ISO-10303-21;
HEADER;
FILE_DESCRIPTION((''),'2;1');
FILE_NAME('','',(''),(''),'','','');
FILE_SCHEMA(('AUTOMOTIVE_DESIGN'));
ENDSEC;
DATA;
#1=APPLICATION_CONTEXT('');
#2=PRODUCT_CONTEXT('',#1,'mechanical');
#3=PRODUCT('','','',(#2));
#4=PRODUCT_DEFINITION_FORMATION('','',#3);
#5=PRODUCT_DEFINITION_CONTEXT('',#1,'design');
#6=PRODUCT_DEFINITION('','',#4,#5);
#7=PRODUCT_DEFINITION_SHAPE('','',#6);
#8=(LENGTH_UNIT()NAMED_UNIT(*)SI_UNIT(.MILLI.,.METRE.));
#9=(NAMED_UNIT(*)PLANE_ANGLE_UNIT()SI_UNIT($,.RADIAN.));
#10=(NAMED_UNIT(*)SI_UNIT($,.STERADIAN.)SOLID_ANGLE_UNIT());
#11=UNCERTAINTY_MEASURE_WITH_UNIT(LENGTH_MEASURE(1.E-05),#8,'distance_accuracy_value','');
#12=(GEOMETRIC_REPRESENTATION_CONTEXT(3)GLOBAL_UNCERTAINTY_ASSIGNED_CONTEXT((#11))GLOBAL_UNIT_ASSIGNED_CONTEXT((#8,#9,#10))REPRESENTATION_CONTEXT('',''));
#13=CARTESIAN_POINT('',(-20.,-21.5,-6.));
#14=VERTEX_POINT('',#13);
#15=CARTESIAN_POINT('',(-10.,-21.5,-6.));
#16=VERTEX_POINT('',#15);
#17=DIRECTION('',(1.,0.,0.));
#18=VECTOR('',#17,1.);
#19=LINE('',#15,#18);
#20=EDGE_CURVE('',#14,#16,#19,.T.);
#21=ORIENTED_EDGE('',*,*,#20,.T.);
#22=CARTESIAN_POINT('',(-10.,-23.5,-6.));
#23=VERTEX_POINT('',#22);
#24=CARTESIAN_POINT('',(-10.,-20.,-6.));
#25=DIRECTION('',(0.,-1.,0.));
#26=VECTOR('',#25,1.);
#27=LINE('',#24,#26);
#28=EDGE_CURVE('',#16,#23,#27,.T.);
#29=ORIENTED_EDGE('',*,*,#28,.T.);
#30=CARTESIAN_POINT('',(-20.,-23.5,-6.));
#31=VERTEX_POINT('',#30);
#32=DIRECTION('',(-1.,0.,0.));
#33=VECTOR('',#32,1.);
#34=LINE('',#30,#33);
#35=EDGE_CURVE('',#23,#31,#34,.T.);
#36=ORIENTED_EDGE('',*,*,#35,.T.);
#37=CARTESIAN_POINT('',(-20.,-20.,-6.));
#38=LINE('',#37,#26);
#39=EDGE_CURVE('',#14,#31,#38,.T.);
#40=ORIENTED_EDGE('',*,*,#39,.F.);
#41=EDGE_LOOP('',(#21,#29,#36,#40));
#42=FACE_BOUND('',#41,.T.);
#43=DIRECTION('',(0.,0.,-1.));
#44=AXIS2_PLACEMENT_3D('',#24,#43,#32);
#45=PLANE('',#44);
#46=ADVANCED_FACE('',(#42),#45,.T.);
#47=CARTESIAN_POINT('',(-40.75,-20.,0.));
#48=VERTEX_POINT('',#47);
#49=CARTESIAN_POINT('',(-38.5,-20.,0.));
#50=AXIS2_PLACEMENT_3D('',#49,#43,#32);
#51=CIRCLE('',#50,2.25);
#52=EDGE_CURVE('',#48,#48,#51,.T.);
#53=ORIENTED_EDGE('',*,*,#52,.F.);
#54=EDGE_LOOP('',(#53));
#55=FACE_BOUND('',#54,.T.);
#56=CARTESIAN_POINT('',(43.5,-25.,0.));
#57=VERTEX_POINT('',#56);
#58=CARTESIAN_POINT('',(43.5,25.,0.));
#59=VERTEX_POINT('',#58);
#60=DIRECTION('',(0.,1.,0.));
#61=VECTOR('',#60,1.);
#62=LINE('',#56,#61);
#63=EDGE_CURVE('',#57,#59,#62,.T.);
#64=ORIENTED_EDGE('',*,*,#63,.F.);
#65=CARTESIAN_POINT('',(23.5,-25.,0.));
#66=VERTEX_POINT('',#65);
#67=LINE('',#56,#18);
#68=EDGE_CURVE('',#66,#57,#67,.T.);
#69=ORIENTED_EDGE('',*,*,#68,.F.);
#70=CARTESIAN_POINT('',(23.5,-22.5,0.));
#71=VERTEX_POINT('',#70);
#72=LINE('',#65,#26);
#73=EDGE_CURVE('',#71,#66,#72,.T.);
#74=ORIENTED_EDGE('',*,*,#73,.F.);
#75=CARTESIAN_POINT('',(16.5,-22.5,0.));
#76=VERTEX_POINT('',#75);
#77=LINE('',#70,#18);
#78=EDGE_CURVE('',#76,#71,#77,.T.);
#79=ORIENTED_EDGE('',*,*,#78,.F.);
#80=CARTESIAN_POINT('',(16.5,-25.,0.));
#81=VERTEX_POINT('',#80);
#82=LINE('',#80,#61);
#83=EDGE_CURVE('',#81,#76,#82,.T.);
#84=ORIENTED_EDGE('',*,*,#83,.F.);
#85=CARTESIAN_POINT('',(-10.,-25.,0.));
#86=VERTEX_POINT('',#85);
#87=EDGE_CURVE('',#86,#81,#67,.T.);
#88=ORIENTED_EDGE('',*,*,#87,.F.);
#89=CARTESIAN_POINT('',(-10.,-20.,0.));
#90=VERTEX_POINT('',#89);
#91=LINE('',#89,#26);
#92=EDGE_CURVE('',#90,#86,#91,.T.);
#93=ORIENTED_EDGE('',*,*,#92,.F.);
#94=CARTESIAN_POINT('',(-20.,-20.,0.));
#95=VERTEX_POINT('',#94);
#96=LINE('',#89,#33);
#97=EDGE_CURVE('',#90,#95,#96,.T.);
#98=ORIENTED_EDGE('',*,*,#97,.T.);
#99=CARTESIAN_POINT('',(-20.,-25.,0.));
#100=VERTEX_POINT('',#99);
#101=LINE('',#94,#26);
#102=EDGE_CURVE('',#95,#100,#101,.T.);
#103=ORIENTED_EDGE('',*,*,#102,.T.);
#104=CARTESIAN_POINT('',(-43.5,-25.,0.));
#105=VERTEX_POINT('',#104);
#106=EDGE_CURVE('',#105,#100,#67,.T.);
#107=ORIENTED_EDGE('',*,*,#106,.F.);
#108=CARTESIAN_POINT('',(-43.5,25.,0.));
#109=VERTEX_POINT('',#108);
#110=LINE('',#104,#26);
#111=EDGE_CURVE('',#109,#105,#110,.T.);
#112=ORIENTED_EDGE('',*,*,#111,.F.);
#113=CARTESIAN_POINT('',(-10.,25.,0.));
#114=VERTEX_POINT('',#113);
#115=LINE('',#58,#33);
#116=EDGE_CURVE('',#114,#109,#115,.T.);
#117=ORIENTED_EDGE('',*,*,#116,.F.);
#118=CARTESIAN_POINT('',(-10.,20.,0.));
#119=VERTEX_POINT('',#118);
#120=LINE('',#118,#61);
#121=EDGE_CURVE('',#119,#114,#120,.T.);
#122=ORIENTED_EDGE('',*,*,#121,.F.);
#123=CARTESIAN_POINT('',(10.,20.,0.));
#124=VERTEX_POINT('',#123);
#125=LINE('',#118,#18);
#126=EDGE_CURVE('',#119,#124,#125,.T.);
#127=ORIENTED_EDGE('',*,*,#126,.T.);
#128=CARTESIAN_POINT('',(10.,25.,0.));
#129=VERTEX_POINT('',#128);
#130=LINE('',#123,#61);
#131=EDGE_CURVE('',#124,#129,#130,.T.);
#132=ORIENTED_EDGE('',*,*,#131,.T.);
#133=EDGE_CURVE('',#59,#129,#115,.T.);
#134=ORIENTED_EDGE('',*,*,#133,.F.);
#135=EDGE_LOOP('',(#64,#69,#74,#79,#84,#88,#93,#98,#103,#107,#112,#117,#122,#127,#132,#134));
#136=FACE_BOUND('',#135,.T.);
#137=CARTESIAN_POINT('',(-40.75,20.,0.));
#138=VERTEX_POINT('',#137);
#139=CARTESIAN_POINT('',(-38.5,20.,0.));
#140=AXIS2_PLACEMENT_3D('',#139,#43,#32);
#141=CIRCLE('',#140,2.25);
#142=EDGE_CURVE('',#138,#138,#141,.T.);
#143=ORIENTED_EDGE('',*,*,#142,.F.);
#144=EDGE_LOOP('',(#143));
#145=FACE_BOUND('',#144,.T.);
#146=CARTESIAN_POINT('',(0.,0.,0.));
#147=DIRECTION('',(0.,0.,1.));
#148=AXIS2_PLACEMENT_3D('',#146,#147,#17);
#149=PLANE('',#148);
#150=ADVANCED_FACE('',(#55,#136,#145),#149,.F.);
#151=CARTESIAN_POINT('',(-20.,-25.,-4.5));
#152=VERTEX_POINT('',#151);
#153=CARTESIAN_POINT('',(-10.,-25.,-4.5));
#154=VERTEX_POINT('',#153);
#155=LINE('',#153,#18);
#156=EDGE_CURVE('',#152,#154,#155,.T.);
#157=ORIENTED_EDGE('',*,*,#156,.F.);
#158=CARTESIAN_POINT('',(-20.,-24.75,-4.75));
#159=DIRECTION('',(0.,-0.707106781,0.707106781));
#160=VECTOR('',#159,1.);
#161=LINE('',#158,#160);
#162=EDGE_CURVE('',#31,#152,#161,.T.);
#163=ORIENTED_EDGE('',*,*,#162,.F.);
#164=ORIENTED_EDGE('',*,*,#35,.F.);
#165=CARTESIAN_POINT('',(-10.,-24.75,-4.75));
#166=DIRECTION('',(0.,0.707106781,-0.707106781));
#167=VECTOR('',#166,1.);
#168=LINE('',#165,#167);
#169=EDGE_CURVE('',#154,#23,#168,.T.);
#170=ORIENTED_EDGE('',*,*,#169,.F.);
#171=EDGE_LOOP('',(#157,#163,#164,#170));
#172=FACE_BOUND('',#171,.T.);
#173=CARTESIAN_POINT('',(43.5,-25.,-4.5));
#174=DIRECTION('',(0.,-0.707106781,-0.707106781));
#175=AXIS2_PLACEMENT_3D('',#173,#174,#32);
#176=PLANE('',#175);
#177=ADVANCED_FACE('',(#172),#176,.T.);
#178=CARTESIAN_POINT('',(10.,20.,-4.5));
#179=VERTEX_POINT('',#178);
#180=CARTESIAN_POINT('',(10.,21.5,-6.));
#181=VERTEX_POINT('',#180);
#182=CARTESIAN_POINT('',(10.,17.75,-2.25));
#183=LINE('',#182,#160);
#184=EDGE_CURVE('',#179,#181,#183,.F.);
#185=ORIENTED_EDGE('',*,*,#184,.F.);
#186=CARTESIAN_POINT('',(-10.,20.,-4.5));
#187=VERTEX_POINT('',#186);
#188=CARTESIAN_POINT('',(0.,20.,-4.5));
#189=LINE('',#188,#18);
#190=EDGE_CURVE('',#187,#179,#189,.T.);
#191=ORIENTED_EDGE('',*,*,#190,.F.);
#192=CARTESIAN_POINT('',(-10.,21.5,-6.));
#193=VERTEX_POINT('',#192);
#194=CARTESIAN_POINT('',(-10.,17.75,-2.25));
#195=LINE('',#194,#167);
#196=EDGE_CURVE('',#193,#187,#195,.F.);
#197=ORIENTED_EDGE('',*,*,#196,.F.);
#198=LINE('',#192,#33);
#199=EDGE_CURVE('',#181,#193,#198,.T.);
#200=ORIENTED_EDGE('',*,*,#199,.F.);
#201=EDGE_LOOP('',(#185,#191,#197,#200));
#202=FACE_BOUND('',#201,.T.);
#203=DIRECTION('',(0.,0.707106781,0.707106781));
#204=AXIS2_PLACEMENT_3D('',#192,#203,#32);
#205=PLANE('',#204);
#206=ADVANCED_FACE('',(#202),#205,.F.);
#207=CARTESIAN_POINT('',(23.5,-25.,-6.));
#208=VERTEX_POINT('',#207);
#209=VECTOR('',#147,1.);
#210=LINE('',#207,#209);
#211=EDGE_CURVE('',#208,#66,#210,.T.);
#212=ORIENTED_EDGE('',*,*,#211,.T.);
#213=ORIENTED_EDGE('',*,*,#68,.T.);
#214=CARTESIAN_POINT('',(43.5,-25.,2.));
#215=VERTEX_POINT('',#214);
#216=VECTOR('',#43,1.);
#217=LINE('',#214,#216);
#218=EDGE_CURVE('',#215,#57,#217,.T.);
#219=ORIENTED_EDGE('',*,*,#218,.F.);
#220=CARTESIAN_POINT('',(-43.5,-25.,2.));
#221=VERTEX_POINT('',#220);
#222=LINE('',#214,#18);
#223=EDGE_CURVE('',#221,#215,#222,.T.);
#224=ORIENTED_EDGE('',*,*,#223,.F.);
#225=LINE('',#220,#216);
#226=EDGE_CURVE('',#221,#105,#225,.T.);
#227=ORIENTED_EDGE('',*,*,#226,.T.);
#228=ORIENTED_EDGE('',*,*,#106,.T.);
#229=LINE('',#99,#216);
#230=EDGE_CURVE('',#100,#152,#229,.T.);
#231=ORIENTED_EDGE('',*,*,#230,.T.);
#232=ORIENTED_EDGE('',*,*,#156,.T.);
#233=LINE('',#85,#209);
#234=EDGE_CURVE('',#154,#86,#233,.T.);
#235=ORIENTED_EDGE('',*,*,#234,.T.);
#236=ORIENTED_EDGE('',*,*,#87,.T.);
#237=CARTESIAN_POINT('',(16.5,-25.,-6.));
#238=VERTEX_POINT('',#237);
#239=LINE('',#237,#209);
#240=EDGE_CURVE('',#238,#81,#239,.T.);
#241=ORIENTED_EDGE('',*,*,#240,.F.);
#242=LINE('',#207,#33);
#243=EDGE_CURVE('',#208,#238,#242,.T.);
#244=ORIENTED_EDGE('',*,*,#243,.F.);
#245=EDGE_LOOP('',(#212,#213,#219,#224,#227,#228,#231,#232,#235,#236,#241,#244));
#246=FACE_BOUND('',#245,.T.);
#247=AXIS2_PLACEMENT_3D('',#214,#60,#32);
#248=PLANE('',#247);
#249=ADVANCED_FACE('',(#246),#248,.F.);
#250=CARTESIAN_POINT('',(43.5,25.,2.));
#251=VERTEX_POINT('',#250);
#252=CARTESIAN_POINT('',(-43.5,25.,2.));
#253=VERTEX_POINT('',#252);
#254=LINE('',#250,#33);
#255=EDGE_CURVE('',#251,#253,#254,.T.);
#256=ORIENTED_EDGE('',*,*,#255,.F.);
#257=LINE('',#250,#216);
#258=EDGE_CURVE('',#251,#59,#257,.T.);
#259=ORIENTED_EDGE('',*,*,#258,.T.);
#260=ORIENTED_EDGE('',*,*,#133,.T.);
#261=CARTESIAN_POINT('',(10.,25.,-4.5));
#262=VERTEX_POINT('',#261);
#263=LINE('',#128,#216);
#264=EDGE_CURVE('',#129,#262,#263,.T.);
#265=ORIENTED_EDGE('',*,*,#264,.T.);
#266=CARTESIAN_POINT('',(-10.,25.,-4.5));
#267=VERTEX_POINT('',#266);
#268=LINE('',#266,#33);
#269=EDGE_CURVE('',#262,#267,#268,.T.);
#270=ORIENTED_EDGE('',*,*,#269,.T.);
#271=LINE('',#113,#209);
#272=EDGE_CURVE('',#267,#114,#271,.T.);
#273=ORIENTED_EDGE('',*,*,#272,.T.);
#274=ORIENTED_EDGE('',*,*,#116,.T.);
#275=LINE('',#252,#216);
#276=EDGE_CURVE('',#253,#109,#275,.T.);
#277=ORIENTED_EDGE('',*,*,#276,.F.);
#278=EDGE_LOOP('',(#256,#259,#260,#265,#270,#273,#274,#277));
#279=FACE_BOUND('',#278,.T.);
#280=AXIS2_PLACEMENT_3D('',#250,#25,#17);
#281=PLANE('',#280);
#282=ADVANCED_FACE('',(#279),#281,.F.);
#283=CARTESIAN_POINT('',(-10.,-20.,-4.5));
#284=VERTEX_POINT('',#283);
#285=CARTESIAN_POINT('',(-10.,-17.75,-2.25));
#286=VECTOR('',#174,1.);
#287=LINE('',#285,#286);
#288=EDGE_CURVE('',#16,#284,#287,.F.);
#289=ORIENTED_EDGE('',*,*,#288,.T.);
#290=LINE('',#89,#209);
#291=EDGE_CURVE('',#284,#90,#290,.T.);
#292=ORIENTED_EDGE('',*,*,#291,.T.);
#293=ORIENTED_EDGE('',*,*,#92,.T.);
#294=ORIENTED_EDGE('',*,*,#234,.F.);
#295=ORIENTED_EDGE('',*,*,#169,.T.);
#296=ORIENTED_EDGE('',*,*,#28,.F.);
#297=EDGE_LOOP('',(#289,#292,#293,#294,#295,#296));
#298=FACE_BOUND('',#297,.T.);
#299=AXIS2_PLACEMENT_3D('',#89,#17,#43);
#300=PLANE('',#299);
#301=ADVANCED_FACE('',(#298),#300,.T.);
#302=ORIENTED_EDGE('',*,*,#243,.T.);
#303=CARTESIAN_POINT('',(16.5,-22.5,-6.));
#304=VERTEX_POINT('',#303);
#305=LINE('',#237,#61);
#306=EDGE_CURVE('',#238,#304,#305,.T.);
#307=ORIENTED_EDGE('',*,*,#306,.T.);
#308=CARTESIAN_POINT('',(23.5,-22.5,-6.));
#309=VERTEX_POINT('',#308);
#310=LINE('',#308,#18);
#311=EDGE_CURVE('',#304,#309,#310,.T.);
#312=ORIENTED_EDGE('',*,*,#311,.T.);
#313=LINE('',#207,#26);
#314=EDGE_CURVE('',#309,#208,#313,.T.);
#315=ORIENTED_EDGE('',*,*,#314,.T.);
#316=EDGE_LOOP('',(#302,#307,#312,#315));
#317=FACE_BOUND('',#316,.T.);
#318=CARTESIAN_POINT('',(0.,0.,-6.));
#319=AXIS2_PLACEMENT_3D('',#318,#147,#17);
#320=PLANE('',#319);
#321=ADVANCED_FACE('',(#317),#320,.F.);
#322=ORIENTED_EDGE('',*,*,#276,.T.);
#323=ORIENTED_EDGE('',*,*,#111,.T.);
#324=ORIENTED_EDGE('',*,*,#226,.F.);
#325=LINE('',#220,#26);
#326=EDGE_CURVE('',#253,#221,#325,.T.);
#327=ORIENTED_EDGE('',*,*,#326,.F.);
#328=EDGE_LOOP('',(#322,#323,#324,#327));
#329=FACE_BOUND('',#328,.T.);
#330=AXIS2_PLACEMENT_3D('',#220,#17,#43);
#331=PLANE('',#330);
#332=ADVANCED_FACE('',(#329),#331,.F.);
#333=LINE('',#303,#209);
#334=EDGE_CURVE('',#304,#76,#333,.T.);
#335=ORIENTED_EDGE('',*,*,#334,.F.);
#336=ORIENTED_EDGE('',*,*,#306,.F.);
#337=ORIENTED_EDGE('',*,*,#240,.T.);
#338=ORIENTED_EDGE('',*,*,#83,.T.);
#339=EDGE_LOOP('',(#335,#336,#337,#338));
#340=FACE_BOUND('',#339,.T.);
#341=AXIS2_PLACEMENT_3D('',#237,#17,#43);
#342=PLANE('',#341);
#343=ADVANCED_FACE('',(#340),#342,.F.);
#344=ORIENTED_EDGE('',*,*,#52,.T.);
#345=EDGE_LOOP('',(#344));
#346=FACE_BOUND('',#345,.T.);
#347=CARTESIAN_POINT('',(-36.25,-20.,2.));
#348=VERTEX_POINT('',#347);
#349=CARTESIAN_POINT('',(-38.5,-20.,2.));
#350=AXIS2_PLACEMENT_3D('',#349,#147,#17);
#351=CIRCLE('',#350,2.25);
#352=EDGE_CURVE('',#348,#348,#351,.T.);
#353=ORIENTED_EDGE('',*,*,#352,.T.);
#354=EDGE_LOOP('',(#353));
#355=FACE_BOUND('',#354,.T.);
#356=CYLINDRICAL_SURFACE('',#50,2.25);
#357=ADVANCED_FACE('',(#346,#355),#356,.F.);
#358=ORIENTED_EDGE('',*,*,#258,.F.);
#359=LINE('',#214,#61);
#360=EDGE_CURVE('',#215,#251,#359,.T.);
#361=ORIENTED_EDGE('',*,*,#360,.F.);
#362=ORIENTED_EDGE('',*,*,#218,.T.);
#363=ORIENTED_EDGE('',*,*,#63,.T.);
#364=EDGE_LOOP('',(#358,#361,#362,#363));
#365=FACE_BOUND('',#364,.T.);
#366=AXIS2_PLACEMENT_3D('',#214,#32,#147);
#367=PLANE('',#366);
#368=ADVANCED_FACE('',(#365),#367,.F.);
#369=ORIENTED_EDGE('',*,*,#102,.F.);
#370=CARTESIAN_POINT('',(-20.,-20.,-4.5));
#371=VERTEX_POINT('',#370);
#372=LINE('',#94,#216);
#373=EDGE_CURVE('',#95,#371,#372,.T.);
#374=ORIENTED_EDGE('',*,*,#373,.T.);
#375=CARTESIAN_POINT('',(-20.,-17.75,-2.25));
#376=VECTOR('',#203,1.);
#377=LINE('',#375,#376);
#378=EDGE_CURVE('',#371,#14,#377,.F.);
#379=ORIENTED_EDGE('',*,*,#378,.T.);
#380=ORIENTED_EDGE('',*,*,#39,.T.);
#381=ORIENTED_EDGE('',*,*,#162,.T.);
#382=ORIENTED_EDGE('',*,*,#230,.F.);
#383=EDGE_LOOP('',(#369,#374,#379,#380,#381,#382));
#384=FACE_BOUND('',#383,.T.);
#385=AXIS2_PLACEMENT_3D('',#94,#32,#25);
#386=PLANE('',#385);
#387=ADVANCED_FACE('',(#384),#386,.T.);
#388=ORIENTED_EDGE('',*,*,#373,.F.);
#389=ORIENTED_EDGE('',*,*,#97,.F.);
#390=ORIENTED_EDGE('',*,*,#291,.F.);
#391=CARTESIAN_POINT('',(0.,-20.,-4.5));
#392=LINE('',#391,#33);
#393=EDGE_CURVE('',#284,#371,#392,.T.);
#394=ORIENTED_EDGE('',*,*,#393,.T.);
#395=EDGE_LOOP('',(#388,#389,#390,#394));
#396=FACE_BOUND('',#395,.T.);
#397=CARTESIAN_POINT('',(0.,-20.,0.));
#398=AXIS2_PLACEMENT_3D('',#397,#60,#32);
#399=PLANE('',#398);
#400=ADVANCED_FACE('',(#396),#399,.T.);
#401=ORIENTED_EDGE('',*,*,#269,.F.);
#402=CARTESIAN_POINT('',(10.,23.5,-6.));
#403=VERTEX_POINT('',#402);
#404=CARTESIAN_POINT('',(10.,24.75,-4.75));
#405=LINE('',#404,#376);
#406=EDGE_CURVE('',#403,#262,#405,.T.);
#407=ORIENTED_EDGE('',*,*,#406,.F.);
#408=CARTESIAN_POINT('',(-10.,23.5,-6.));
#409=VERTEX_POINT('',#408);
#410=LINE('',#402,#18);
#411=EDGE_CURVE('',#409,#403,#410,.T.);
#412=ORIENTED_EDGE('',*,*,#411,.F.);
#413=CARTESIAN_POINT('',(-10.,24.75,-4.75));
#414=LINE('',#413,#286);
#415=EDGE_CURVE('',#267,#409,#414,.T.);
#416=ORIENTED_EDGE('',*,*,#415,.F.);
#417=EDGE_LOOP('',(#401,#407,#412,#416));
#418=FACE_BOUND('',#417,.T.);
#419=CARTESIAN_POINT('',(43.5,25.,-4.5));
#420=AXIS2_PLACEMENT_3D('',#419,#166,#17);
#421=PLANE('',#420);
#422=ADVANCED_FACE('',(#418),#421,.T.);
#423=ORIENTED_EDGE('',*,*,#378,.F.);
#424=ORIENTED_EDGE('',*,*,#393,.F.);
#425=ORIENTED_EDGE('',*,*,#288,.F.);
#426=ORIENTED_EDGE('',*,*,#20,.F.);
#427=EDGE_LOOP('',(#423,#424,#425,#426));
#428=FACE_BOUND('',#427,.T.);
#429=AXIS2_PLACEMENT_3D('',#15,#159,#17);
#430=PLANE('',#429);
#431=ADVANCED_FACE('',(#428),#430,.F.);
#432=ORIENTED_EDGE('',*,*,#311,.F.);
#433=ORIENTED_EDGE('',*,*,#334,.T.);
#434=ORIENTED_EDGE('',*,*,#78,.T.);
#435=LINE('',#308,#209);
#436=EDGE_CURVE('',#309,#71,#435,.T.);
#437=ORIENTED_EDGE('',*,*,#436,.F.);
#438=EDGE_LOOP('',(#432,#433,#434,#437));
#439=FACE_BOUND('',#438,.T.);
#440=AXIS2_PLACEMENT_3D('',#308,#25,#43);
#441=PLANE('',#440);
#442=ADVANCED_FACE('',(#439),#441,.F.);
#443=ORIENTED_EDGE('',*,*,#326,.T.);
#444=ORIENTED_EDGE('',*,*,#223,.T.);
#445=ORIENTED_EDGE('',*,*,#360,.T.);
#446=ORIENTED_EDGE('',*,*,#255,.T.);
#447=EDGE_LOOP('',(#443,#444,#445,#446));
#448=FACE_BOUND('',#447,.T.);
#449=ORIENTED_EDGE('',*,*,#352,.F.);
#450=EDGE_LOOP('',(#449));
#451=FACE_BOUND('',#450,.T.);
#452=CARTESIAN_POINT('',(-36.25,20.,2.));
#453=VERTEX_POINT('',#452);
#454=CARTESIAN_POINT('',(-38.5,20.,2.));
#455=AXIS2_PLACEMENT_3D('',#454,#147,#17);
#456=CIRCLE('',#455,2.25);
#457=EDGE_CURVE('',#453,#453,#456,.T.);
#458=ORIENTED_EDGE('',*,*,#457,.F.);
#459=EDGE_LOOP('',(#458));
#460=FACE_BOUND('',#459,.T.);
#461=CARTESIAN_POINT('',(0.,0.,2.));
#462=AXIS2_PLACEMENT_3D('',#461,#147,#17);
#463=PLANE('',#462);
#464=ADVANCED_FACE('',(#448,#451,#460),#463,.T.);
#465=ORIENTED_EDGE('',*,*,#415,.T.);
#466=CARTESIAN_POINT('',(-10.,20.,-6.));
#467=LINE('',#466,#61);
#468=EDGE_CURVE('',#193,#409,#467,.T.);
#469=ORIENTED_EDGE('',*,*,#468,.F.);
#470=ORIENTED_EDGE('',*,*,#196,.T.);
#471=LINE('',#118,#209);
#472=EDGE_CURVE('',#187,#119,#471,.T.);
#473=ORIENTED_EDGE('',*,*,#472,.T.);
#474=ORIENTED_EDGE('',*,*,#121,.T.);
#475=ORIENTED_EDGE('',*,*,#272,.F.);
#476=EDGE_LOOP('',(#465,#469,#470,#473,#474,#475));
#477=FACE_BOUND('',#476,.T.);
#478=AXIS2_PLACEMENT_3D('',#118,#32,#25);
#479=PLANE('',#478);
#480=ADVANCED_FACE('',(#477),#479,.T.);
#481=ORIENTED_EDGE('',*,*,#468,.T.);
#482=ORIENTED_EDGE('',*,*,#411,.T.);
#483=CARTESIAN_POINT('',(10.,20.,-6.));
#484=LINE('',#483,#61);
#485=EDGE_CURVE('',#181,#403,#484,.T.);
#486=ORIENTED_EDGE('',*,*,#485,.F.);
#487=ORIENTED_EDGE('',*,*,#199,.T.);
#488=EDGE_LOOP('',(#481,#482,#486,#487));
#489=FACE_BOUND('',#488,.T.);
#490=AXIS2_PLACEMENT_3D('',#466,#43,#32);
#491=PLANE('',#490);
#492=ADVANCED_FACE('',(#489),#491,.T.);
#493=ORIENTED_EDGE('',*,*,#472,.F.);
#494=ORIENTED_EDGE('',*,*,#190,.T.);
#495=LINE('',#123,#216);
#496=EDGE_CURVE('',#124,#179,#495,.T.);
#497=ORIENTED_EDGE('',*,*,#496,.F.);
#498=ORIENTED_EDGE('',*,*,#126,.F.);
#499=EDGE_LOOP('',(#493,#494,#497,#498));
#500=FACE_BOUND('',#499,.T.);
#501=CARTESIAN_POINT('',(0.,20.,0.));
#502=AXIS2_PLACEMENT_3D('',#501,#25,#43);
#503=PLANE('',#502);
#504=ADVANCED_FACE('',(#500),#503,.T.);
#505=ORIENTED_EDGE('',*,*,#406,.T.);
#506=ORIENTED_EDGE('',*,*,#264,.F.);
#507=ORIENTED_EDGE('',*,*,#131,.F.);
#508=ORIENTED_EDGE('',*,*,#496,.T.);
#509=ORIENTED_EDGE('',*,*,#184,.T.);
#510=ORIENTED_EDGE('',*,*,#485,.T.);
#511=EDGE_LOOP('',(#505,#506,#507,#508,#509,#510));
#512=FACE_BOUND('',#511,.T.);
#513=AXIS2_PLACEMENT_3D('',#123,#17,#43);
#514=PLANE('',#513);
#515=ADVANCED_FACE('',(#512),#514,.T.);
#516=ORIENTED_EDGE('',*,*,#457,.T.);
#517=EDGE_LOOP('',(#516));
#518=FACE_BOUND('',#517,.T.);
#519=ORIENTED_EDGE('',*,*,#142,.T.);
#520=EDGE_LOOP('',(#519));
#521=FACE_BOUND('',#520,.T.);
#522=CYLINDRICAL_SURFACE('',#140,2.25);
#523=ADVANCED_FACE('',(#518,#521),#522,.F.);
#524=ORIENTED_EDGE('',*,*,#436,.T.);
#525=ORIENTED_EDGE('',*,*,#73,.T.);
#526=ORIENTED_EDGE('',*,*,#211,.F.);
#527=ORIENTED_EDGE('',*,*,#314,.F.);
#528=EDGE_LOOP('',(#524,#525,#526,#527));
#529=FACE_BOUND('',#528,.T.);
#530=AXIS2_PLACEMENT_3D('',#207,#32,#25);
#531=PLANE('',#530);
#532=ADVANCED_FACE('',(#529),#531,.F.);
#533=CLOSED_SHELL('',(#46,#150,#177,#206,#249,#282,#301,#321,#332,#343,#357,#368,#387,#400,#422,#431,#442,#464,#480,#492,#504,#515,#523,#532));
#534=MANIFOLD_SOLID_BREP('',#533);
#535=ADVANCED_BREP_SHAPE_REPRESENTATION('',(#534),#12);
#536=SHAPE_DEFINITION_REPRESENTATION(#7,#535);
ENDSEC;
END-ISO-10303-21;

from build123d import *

# Parameters (mm, degrees)
SKETCH1_W            = 87
SKETCH1_H            = 50
BOSS_EXTRUDE1_DEPTH  = 2
SKETCH3_W            = 20
SKETCH3_H            = 6
BOSS_EXTRUDE2_DEPTH  = 5
CHAMFER1_SIZE        = 1.5
SKETCH4_W            = 10
SKETCH4_H            = 6
BOSS_EXTRUDE3_DEPTH  = 5
CHAMFER2_SIZE        = 1.5
SKETCH5_W            = 7
SKETCH5_H            = 2.5
BOSS_EXTRUDE4_DEPTH  = 6
M4_CLEARANCE_HOLE1_D = 4.5


with BuildPart() as part:
    # Sketch1 → Boss-Extrude1 (new body)
    with BuildSketch(Plane.XY):
        Rectangle(SKETCH1_W, SKETCH1_H)
    extrude(amount=BOSS_EXTRUDE1_DEPTH)

    # Sketch3 → Boss-Extrude2 (add)
    with BuildSketch(Plane(origin=(0, 25, 0), x_dir=(1, 0, 0), z_dir=(0, 1, 0))):
        with Locations((0, 3)):
            Rectangle(SKETCH3_W, SKETCH3_H)
    extrude(amount=-BOSS_EXTRUDE2_DEPTH)

    # Chamfer1
    chamfer1_edges = [part.edges().sort_by_distance(p)[0] for p in [
        (0, 20, -6),
        (0, 25, -6),
    ]]
    chamfer(chamfer1_edges, length=CHAMFER1_SIZE)

    # Sketch4 → Boss-Extrude3 (add)
    with BuildSketch(Plane.XZ.offset(25)):
        with Locations((-15, -3)):
            Rectangle(SKETCH4_W, SKETCH4_H)
    extrude(amount=-BOSS_EXTRUDE3_DEPTH)

    # Chamfer2
    chamfer2_edges = [part.edges().sort_by_distance(p)[0] for p in [
        (-15, -20, -6),
        (-15, -25, -6),
    ]]
    chamfer(chamfer2_edges, length=CHAMFER2_SIZE)

    # Sketch5 → Boss-Extrude4 (add)
    with BuildSketch(Plane(origin=(0, 0, 0), x_dir=(-1, 0, 0), z_dir=(0, 0, -1))):
        with Locations((-20, -23.75)):
            Rectangle(SKETCH5_W, SKETCH5_H)
    extrude(amount=BOSS_EXTRUDE4_DEPTH)

    # M4 Clearance Hole1 (through all)
    with Locations(Plane(origin=(0, 0, 0), x_dir=(-1, 0, 0), z_dir=(0, 0, -1))):
        with Locations((38.5, -20), (38.5, 20)):
            Hole(M4_CLEARANCE_HOLE1_D / 2)


solid = part.part
